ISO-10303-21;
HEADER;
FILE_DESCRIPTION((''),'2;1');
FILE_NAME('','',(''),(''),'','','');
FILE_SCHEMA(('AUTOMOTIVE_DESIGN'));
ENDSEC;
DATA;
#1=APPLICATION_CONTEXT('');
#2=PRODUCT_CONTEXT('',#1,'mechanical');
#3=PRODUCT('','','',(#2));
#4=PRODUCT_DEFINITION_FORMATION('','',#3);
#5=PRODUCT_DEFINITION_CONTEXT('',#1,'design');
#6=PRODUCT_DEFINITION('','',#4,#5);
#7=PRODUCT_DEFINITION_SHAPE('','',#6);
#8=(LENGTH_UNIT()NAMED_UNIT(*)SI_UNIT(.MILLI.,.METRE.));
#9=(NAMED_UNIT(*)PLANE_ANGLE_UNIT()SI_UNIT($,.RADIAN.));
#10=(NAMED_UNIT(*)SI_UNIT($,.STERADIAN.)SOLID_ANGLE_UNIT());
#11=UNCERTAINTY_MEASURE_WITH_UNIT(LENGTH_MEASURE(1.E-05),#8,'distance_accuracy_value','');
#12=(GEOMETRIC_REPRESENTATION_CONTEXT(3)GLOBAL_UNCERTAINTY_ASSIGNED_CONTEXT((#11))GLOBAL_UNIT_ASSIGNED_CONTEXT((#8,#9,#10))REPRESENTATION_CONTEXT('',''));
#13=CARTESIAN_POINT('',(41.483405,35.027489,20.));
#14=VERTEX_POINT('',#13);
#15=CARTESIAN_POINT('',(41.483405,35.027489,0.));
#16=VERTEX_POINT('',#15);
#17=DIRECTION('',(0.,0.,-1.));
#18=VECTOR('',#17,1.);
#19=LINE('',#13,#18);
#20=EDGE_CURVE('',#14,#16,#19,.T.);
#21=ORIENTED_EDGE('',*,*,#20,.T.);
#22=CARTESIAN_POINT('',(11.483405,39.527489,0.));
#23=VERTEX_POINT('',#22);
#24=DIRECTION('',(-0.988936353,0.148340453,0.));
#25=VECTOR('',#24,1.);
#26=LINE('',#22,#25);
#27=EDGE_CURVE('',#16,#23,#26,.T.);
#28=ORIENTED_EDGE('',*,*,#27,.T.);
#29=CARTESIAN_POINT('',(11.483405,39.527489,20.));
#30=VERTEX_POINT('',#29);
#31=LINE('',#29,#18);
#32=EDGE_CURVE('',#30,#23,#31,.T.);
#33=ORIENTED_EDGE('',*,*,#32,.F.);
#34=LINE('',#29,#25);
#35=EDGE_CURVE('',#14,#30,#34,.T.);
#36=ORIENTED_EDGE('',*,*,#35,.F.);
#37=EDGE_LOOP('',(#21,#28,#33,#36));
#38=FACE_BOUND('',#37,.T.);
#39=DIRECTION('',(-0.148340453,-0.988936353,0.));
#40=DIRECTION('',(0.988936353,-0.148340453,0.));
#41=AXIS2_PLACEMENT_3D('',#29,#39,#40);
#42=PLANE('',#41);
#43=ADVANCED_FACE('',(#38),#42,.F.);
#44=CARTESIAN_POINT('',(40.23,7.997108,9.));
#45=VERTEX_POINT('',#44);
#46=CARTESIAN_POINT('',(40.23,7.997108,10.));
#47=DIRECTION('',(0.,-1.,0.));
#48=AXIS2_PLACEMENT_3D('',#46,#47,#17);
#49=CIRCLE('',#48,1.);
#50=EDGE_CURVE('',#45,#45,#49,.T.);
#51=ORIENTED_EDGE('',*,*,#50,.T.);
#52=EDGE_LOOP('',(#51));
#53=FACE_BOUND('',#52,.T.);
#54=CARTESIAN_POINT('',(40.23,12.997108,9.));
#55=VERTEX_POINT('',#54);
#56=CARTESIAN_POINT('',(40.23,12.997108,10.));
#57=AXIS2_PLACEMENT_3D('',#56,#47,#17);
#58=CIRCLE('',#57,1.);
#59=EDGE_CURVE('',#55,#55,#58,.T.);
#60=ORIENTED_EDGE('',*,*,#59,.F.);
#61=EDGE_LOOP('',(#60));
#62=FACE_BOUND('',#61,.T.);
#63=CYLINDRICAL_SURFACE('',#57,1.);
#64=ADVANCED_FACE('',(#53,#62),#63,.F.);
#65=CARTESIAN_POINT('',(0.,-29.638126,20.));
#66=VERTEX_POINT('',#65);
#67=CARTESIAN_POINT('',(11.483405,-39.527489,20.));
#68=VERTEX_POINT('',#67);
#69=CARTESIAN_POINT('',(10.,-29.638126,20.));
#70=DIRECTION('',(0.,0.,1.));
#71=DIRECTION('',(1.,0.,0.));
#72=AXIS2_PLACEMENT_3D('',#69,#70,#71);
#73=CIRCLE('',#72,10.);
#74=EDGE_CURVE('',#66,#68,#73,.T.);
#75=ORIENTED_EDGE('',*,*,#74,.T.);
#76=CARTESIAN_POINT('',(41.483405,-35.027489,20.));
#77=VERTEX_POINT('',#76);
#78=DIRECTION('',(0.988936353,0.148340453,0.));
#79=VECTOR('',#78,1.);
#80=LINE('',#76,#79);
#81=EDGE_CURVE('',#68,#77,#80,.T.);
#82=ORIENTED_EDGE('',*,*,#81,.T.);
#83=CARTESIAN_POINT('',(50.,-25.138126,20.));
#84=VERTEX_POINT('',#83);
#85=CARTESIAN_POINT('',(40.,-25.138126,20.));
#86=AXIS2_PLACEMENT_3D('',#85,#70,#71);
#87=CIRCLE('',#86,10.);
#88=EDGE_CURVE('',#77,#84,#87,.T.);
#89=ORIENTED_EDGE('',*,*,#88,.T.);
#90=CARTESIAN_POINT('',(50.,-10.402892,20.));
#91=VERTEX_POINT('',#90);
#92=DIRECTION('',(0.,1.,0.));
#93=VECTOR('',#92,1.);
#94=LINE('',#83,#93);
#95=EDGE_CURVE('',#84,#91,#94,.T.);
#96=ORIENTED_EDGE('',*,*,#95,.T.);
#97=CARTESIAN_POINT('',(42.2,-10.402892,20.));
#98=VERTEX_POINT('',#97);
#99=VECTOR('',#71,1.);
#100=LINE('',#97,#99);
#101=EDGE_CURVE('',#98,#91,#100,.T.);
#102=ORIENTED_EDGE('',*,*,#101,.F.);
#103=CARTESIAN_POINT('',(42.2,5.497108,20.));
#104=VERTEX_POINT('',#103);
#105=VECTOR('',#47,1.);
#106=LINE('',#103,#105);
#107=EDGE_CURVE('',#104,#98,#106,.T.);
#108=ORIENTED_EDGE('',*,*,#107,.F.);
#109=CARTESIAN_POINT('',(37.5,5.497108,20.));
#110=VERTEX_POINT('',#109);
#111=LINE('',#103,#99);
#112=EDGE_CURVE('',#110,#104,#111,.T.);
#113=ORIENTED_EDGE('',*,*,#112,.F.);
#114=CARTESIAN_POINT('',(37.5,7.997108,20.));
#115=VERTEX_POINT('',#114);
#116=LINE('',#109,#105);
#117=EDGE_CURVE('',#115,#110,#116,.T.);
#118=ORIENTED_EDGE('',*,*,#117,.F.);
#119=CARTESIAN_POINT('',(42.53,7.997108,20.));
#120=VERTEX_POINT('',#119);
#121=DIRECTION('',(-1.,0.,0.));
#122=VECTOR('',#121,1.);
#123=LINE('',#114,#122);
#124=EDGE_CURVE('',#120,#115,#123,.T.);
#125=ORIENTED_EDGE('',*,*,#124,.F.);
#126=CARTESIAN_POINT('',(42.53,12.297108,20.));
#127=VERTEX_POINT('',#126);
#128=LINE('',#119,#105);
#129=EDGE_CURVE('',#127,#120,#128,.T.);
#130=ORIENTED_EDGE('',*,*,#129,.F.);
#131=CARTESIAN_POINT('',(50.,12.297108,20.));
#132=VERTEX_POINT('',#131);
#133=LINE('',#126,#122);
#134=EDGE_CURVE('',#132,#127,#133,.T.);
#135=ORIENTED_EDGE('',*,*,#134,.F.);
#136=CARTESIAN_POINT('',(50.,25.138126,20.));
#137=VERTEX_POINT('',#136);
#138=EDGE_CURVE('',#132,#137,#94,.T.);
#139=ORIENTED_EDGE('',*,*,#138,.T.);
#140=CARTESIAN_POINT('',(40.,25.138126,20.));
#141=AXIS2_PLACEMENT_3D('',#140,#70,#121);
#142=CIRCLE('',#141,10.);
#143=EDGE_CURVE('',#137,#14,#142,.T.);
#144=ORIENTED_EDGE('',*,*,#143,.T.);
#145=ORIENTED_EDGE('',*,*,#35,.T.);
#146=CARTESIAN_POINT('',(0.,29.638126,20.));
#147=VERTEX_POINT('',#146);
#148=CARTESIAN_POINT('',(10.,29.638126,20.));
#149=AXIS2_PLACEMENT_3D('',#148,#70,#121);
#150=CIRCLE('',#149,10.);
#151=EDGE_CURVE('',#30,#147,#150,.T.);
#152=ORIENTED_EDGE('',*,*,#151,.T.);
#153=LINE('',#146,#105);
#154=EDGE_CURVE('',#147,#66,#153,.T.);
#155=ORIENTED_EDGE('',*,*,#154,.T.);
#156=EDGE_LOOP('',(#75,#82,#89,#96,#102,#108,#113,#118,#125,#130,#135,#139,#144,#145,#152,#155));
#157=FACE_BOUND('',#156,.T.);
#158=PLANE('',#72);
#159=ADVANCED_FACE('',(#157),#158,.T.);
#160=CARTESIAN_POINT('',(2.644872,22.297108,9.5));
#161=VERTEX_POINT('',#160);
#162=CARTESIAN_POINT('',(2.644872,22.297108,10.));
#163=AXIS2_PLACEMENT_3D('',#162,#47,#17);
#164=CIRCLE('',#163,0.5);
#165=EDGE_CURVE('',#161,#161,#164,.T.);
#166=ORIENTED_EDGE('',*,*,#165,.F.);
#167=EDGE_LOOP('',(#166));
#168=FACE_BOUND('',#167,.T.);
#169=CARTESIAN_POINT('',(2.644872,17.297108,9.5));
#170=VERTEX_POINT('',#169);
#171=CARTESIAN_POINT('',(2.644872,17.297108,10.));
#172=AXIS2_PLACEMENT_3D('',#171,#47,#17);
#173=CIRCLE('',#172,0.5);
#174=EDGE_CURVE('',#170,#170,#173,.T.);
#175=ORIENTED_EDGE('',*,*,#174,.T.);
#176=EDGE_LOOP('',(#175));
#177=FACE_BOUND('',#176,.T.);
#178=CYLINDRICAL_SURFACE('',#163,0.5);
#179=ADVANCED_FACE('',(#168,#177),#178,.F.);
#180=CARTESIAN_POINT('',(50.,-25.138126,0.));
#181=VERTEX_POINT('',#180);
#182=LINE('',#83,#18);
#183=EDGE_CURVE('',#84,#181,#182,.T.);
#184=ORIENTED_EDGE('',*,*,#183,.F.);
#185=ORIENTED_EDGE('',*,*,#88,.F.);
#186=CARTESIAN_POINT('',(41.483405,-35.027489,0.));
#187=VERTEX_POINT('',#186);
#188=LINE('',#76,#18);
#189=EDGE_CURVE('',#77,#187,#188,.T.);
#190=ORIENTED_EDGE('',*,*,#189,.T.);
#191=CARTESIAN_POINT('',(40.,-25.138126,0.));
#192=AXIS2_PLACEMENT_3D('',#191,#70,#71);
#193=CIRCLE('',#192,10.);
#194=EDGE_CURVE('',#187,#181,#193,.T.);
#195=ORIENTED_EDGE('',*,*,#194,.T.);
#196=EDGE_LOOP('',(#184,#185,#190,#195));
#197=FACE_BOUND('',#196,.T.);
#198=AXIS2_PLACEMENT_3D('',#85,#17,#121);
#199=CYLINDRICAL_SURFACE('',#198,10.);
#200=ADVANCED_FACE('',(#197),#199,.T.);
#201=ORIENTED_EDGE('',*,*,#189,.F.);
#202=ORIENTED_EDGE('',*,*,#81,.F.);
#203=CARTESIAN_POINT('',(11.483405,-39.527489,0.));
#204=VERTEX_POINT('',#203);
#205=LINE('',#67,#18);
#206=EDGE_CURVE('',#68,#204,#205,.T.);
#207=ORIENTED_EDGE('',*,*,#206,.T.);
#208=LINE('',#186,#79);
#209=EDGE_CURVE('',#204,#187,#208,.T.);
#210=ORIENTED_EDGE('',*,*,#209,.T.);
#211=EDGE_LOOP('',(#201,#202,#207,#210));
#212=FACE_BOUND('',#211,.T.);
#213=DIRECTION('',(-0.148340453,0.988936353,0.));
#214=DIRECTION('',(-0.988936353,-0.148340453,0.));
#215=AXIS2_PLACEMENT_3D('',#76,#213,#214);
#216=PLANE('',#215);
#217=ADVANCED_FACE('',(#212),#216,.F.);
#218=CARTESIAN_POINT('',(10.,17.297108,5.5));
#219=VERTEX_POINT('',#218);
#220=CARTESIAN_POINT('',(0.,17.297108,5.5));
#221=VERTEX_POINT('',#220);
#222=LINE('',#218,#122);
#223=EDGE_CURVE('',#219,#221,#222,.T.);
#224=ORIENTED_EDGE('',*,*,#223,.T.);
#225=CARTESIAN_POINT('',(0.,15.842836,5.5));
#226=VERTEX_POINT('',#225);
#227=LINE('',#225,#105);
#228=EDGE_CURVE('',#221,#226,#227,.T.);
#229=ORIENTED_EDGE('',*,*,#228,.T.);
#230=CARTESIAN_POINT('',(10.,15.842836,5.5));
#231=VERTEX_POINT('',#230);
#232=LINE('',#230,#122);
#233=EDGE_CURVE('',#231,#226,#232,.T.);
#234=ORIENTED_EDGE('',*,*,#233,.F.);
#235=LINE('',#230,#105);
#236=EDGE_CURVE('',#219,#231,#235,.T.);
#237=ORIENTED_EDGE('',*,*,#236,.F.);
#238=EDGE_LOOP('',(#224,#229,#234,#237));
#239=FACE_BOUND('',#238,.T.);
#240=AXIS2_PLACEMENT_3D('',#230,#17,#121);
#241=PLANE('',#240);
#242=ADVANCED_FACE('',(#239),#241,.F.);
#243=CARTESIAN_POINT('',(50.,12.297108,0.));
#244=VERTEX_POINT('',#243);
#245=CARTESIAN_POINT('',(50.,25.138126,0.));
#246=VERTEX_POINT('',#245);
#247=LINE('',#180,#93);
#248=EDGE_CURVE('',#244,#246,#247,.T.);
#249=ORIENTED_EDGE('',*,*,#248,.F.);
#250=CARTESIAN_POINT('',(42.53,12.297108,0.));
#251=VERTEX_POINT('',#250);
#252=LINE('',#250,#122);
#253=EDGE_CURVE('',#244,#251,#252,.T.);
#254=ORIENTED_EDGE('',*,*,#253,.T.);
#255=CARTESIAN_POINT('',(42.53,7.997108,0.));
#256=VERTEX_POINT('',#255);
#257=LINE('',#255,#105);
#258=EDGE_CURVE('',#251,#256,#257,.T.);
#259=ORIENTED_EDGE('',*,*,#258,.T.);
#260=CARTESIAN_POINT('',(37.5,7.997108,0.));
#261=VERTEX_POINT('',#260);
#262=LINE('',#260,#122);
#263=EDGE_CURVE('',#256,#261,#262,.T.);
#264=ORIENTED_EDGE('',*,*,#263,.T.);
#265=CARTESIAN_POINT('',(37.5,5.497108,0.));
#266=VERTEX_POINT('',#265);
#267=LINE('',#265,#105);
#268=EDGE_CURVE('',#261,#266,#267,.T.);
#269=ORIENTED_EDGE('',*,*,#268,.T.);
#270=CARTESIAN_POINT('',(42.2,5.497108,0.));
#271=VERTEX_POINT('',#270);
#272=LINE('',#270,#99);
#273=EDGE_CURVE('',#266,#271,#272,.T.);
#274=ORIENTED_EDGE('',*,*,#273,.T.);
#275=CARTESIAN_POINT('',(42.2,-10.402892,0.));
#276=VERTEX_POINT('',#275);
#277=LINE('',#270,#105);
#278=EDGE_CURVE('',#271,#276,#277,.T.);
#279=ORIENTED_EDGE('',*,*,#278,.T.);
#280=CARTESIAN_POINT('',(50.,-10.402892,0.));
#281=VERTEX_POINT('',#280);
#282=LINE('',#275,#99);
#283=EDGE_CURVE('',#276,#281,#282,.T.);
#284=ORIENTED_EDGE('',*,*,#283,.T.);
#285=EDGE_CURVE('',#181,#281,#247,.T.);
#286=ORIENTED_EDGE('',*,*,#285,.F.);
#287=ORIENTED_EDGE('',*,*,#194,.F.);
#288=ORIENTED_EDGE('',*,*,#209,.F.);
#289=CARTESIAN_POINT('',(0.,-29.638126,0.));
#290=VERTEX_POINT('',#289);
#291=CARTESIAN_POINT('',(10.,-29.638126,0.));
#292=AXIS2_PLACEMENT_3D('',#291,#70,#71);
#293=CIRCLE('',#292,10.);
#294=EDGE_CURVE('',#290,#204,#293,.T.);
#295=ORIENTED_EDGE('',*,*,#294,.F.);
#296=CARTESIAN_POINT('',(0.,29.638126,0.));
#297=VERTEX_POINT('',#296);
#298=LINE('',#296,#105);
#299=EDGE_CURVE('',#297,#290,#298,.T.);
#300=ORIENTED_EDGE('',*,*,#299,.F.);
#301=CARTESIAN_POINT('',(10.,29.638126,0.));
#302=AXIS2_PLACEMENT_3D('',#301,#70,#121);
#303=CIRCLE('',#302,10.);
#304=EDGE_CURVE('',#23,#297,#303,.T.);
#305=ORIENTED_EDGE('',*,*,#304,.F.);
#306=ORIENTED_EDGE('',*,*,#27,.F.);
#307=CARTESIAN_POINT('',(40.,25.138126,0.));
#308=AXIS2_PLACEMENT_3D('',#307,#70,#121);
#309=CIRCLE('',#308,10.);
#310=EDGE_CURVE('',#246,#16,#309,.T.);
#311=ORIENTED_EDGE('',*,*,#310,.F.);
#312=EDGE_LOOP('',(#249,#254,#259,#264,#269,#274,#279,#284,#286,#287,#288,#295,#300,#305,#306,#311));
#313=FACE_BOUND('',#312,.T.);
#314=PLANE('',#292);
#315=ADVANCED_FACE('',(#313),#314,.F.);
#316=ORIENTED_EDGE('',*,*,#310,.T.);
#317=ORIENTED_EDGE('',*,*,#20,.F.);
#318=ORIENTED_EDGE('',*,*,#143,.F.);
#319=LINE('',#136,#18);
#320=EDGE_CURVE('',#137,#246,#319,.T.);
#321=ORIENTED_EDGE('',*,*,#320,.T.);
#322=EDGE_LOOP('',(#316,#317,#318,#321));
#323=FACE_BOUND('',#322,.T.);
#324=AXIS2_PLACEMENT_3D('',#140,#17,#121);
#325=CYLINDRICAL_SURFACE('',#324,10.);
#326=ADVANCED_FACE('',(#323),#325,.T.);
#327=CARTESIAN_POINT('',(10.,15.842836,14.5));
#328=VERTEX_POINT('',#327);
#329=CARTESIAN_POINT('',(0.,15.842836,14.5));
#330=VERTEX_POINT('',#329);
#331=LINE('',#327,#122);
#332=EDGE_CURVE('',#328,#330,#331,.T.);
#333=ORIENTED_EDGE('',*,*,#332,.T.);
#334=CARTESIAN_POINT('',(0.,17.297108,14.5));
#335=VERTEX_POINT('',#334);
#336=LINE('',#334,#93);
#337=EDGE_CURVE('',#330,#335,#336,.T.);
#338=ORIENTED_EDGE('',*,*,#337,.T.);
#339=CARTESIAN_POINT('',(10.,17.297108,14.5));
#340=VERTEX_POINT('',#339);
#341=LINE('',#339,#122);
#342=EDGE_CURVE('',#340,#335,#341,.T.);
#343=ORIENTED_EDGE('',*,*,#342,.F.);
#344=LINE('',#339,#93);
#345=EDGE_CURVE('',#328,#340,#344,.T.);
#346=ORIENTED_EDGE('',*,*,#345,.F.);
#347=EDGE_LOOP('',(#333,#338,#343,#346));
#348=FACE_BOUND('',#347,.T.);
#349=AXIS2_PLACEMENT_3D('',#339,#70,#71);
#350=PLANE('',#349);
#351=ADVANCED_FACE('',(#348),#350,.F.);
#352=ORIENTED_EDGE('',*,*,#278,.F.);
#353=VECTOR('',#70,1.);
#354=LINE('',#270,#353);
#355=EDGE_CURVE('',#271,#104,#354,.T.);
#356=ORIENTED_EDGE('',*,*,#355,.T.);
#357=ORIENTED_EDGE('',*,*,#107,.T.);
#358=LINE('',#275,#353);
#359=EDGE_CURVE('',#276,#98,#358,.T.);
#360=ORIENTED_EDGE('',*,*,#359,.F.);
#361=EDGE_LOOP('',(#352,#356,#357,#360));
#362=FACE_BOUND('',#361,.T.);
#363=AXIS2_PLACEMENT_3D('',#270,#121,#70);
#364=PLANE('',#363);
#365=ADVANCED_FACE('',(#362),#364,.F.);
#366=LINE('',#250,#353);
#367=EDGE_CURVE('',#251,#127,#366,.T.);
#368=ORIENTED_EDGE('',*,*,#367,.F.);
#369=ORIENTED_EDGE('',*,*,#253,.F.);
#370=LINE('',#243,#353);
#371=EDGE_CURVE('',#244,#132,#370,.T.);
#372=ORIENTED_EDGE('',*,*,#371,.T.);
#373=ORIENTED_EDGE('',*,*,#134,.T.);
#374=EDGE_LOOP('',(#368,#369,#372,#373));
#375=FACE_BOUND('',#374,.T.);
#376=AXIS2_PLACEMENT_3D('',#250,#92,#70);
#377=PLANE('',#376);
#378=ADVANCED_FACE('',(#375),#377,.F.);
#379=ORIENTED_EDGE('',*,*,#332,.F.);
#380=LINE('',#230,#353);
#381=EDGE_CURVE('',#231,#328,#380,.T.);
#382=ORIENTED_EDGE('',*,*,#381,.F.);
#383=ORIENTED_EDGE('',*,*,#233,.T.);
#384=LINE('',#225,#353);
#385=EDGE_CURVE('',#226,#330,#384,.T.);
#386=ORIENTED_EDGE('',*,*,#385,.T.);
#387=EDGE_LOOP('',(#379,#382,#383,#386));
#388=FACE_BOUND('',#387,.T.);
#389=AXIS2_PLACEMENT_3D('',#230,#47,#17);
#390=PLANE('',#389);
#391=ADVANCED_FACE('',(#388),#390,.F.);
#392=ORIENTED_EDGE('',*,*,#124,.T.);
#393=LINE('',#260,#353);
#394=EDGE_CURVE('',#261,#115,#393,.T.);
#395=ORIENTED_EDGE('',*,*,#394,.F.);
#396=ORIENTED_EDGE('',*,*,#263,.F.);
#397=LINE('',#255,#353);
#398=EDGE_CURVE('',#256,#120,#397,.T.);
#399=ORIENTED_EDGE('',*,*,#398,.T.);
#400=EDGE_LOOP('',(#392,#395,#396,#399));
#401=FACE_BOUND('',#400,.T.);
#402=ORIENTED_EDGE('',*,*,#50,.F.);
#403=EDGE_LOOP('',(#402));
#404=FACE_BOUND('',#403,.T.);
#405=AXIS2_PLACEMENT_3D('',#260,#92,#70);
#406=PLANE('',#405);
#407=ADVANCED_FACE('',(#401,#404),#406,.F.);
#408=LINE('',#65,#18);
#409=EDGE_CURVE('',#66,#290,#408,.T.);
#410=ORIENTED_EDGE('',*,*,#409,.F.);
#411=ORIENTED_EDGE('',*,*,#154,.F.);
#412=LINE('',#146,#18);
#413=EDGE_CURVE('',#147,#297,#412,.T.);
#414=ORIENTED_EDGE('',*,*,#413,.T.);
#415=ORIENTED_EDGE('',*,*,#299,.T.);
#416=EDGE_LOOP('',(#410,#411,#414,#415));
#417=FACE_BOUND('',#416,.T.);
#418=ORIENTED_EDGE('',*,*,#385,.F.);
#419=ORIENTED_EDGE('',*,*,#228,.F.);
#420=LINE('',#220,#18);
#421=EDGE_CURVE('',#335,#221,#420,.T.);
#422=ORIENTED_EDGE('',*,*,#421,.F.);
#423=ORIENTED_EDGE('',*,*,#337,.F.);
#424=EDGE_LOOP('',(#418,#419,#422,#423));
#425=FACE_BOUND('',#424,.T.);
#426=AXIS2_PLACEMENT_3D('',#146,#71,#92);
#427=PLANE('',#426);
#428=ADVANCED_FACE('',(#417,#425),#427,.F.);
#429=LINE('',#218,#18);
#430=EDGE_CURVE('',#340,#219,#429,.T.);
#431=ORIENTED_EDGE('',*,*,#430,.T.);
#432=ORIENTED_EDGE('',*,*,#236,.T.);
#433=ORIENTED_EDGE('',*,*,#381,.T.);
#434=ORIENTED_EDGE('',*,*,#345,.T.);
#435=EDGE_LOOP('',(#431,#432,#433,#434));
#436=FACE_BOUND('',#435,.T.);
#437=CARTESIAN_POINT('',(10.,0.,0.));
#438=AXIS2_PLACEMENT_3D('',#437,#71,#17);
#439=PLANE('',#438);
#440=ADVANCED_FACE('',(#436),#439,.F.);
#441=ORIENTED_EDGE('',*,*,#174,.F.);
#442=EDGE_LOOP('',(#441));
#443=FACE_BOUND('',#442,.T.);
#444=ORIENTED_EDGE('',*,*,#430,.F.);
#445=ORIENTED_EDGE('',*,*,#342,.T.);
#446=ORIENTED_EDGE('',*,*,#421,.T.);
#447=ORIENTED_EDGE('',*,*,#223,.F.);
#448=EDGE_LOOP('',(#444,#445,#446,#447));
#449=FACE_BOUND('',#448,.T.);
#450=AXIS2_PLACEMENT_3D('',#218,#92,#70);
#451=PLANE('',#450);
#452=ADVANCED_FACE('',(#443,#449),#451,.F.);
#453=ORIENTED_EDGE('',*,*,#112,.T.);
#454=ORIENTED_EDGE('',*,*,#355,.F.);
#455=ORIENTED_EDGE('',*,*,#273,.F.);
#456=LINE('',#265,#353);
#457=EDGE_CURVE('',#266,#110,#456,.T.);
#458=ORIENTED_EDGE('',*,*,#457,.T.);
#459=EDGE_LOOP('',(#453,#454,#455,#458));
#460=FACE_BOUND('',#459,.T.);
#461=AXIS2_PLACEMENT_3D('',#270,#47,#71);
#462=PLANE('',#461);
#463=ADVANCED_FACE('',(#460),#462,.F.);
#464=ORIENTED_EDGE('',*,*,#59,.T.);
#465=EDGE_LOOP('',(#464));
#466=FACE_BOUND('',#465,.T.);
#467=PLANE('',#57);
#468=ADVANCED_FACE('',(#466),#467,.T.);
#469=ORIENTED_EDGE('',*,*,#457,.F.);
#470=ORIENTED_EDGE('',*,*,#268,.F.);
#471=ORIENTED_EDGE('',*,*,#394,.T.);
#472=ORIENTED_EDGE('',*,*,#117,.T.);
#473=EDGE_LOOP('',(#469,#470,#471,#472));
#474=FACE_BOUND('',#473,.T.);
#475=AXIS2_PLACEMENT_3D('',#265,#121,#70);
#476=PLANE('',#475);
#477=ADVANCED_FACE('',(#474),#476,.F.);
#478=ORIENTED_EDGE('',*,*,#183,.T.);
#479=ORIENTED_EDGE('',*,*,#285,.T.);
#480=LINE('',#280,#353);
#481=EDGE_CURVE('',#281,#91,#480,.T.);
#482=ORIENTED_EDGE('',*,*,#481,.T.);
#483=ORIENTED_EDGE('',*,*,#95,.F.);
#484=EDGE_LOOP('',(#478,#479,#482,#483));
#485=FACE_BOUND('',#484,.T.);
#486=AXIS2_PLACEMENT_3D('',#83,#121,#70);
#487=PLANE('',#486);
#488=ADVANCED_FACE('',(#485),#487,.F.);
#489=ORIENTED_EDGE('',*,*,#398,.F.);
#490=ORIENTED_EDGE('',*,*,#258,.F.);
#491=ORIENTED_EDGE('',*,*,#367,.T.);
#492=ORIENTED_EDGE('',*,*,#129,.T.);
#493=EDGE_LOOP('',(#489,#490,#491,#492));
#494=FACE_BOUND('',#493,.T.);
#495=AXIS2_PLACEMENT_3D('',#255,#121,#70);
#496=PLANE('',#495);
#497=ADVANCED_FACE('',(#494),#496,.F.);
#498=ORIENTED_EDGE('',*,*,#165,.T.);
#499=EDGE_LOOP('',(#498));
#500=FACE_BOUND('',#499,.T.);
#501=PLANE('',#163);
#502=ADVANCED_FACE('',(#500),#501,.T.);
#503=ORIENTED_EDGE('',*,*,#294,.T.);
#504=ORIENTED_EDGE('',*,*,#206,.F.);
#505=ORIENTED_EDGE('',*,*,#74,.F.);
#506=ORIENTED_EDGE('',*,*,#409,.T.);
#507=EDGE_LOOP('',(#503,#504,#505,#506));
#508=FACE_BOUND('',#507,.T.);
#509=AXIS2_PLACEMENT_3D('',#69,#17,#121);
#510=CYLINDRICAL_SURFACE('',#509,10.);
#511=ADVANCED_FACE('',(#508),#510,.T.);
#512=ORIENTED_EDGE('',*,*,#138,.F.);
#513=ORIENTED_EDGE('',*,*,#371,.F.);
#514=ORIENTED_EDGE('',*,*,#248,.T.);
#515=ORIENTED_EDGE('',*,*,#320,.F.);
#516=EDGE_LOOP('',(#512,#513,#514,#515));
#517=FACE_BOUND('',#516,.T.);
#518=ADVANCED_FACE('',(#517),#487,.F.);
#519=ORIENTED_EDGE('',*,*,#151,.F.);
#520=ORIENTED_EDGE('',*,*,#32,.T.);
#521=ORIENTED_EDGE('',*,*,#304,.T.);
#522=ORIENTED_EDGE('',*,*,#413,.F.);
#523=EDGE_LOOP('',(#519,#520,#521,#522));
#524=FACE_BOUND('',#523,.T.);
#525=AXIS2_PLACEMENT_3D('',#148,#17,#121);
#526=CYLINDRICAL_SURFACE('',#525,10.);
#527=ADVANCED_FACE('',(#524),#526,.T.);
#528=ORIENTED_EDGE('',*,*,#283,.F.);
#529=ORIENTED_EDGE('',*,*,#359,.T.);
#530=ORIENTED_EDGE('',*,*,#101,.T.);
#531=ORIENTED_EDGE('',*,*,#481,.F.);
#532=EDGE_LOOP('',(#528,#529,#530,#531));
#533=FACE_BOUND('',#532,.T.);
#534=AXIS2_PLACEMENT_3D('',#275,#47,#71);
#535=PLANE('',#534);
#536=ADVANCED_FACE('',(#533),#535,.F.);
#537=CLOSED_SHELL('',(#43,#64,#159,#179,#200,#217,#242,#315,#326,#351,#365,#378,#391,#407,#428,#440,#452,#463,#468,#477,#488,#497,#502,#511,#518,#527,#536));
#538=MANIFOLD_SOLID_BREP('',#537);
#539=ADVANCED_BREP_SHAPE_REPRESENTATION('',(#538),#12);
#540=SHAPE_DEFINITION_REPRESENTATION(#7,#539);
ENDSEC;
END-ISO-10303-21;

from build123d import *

# Parameters (mm, degrees)
BOSS_EXTRUDE1_DEPTH = 20
SKETCH5_W           = 9
SKETCH5_H           = 1.454272164
CUT_EXTRUDE4_DEPTH  = 10
SKETCH6_R           = 0.5
CUT_EXTRUDE5_DEPTH  = 5
CUT_EXTRUDE6_DEPTH  = 21
SKETCH11_R          = 1
CUT_EXTRUDE7_DEPTH  = 5


with BuildPart() as part:
    # Sketch1 → Boss-Extrude1 (new body)
    with BuildSketch(Plane.XY):
        with BuildLine():
            Line((0, 29.638125792), (0, -29.638125792))
            ThreePointArc((0, -29.638125792), (3.474436626, -37.215527896), (11.483404529, -39.527489321))
            Line((11.483404529, -39.527489321), (41.483404529, -35.027489321))
            ThreePointArc((41.483404529, -35.027489321), (47.577402104, -31.663689166), (50, -25.138125792))
            Line((50, -25.138125792), (50, 25.138125792))
            ThreePointArc((50, 25.138125792), (47.577402104, 31.663689166), (41.483404529, 35.027489321))
            Line((41.483404529, 35.027489321), (11.483404529, 39.527489321))
            ThreePointArc((11.483404529, 39.527489321), (3.474436626, 37.215527896), (0, 29.638125792))
        make_face()
    extrude(amount=BOSS_EXTRUDE1_DEPTH)

    # Sketch5 → Cut-Extrude4 (cut)
    with BuildSketch(Plane.ZY):
        with Locations((10, 16.569972364)):
            Rectangle(SKETCH5_W, SKETCH5_H)
    extrude(amount=-CUT_EXTRUDE4_DEPTH, mode=Mode.SUBTRACT)

    # Sketch6 → Cut-Extrude5 (cut)
    with BuildSketch(Plane.XZ.offset(-17.297108446)):
        with Locations((2.644871575, 10)):
            Circle(SKETCH6_R)
    extrude(amount=-CUT_EXTRUDE5_DEPTH, mode=Mode.SUBTRACT)

    # Sketch9 → Cut-Extrude6 (cut, through all)
    with BuildSketch(Plane.XY.offset(20)):
        Polygon((42.2, 5.497108446), (42.2, -10.402891554), (50, -10.402891554), (50, 12.297108446), (42.53, 12.297108446), (42.53, 7.997108446), (37.5, 7.997108446), (37.5, 5.497108446), align=None)
    extrude(amount=-CUT_EXTRUDE6_DEPTH, mode=Mode.SUBTRACT)

    # Sketch11 → Cut-Extrude7 (cut)
    with BuildSketch(Plane(origin=(0, 7.997108446, 0), x_dir=(-1, 0, 0), z_dir=(0, -1, 0))):
        with Locations((-40.23, -10)):
            Circle(SKETCH11_R)
    extrude(amount=-CUT_EXTRUDE7_DEPTH, mode=Mode.SUBTRACT)


solid = part.part
